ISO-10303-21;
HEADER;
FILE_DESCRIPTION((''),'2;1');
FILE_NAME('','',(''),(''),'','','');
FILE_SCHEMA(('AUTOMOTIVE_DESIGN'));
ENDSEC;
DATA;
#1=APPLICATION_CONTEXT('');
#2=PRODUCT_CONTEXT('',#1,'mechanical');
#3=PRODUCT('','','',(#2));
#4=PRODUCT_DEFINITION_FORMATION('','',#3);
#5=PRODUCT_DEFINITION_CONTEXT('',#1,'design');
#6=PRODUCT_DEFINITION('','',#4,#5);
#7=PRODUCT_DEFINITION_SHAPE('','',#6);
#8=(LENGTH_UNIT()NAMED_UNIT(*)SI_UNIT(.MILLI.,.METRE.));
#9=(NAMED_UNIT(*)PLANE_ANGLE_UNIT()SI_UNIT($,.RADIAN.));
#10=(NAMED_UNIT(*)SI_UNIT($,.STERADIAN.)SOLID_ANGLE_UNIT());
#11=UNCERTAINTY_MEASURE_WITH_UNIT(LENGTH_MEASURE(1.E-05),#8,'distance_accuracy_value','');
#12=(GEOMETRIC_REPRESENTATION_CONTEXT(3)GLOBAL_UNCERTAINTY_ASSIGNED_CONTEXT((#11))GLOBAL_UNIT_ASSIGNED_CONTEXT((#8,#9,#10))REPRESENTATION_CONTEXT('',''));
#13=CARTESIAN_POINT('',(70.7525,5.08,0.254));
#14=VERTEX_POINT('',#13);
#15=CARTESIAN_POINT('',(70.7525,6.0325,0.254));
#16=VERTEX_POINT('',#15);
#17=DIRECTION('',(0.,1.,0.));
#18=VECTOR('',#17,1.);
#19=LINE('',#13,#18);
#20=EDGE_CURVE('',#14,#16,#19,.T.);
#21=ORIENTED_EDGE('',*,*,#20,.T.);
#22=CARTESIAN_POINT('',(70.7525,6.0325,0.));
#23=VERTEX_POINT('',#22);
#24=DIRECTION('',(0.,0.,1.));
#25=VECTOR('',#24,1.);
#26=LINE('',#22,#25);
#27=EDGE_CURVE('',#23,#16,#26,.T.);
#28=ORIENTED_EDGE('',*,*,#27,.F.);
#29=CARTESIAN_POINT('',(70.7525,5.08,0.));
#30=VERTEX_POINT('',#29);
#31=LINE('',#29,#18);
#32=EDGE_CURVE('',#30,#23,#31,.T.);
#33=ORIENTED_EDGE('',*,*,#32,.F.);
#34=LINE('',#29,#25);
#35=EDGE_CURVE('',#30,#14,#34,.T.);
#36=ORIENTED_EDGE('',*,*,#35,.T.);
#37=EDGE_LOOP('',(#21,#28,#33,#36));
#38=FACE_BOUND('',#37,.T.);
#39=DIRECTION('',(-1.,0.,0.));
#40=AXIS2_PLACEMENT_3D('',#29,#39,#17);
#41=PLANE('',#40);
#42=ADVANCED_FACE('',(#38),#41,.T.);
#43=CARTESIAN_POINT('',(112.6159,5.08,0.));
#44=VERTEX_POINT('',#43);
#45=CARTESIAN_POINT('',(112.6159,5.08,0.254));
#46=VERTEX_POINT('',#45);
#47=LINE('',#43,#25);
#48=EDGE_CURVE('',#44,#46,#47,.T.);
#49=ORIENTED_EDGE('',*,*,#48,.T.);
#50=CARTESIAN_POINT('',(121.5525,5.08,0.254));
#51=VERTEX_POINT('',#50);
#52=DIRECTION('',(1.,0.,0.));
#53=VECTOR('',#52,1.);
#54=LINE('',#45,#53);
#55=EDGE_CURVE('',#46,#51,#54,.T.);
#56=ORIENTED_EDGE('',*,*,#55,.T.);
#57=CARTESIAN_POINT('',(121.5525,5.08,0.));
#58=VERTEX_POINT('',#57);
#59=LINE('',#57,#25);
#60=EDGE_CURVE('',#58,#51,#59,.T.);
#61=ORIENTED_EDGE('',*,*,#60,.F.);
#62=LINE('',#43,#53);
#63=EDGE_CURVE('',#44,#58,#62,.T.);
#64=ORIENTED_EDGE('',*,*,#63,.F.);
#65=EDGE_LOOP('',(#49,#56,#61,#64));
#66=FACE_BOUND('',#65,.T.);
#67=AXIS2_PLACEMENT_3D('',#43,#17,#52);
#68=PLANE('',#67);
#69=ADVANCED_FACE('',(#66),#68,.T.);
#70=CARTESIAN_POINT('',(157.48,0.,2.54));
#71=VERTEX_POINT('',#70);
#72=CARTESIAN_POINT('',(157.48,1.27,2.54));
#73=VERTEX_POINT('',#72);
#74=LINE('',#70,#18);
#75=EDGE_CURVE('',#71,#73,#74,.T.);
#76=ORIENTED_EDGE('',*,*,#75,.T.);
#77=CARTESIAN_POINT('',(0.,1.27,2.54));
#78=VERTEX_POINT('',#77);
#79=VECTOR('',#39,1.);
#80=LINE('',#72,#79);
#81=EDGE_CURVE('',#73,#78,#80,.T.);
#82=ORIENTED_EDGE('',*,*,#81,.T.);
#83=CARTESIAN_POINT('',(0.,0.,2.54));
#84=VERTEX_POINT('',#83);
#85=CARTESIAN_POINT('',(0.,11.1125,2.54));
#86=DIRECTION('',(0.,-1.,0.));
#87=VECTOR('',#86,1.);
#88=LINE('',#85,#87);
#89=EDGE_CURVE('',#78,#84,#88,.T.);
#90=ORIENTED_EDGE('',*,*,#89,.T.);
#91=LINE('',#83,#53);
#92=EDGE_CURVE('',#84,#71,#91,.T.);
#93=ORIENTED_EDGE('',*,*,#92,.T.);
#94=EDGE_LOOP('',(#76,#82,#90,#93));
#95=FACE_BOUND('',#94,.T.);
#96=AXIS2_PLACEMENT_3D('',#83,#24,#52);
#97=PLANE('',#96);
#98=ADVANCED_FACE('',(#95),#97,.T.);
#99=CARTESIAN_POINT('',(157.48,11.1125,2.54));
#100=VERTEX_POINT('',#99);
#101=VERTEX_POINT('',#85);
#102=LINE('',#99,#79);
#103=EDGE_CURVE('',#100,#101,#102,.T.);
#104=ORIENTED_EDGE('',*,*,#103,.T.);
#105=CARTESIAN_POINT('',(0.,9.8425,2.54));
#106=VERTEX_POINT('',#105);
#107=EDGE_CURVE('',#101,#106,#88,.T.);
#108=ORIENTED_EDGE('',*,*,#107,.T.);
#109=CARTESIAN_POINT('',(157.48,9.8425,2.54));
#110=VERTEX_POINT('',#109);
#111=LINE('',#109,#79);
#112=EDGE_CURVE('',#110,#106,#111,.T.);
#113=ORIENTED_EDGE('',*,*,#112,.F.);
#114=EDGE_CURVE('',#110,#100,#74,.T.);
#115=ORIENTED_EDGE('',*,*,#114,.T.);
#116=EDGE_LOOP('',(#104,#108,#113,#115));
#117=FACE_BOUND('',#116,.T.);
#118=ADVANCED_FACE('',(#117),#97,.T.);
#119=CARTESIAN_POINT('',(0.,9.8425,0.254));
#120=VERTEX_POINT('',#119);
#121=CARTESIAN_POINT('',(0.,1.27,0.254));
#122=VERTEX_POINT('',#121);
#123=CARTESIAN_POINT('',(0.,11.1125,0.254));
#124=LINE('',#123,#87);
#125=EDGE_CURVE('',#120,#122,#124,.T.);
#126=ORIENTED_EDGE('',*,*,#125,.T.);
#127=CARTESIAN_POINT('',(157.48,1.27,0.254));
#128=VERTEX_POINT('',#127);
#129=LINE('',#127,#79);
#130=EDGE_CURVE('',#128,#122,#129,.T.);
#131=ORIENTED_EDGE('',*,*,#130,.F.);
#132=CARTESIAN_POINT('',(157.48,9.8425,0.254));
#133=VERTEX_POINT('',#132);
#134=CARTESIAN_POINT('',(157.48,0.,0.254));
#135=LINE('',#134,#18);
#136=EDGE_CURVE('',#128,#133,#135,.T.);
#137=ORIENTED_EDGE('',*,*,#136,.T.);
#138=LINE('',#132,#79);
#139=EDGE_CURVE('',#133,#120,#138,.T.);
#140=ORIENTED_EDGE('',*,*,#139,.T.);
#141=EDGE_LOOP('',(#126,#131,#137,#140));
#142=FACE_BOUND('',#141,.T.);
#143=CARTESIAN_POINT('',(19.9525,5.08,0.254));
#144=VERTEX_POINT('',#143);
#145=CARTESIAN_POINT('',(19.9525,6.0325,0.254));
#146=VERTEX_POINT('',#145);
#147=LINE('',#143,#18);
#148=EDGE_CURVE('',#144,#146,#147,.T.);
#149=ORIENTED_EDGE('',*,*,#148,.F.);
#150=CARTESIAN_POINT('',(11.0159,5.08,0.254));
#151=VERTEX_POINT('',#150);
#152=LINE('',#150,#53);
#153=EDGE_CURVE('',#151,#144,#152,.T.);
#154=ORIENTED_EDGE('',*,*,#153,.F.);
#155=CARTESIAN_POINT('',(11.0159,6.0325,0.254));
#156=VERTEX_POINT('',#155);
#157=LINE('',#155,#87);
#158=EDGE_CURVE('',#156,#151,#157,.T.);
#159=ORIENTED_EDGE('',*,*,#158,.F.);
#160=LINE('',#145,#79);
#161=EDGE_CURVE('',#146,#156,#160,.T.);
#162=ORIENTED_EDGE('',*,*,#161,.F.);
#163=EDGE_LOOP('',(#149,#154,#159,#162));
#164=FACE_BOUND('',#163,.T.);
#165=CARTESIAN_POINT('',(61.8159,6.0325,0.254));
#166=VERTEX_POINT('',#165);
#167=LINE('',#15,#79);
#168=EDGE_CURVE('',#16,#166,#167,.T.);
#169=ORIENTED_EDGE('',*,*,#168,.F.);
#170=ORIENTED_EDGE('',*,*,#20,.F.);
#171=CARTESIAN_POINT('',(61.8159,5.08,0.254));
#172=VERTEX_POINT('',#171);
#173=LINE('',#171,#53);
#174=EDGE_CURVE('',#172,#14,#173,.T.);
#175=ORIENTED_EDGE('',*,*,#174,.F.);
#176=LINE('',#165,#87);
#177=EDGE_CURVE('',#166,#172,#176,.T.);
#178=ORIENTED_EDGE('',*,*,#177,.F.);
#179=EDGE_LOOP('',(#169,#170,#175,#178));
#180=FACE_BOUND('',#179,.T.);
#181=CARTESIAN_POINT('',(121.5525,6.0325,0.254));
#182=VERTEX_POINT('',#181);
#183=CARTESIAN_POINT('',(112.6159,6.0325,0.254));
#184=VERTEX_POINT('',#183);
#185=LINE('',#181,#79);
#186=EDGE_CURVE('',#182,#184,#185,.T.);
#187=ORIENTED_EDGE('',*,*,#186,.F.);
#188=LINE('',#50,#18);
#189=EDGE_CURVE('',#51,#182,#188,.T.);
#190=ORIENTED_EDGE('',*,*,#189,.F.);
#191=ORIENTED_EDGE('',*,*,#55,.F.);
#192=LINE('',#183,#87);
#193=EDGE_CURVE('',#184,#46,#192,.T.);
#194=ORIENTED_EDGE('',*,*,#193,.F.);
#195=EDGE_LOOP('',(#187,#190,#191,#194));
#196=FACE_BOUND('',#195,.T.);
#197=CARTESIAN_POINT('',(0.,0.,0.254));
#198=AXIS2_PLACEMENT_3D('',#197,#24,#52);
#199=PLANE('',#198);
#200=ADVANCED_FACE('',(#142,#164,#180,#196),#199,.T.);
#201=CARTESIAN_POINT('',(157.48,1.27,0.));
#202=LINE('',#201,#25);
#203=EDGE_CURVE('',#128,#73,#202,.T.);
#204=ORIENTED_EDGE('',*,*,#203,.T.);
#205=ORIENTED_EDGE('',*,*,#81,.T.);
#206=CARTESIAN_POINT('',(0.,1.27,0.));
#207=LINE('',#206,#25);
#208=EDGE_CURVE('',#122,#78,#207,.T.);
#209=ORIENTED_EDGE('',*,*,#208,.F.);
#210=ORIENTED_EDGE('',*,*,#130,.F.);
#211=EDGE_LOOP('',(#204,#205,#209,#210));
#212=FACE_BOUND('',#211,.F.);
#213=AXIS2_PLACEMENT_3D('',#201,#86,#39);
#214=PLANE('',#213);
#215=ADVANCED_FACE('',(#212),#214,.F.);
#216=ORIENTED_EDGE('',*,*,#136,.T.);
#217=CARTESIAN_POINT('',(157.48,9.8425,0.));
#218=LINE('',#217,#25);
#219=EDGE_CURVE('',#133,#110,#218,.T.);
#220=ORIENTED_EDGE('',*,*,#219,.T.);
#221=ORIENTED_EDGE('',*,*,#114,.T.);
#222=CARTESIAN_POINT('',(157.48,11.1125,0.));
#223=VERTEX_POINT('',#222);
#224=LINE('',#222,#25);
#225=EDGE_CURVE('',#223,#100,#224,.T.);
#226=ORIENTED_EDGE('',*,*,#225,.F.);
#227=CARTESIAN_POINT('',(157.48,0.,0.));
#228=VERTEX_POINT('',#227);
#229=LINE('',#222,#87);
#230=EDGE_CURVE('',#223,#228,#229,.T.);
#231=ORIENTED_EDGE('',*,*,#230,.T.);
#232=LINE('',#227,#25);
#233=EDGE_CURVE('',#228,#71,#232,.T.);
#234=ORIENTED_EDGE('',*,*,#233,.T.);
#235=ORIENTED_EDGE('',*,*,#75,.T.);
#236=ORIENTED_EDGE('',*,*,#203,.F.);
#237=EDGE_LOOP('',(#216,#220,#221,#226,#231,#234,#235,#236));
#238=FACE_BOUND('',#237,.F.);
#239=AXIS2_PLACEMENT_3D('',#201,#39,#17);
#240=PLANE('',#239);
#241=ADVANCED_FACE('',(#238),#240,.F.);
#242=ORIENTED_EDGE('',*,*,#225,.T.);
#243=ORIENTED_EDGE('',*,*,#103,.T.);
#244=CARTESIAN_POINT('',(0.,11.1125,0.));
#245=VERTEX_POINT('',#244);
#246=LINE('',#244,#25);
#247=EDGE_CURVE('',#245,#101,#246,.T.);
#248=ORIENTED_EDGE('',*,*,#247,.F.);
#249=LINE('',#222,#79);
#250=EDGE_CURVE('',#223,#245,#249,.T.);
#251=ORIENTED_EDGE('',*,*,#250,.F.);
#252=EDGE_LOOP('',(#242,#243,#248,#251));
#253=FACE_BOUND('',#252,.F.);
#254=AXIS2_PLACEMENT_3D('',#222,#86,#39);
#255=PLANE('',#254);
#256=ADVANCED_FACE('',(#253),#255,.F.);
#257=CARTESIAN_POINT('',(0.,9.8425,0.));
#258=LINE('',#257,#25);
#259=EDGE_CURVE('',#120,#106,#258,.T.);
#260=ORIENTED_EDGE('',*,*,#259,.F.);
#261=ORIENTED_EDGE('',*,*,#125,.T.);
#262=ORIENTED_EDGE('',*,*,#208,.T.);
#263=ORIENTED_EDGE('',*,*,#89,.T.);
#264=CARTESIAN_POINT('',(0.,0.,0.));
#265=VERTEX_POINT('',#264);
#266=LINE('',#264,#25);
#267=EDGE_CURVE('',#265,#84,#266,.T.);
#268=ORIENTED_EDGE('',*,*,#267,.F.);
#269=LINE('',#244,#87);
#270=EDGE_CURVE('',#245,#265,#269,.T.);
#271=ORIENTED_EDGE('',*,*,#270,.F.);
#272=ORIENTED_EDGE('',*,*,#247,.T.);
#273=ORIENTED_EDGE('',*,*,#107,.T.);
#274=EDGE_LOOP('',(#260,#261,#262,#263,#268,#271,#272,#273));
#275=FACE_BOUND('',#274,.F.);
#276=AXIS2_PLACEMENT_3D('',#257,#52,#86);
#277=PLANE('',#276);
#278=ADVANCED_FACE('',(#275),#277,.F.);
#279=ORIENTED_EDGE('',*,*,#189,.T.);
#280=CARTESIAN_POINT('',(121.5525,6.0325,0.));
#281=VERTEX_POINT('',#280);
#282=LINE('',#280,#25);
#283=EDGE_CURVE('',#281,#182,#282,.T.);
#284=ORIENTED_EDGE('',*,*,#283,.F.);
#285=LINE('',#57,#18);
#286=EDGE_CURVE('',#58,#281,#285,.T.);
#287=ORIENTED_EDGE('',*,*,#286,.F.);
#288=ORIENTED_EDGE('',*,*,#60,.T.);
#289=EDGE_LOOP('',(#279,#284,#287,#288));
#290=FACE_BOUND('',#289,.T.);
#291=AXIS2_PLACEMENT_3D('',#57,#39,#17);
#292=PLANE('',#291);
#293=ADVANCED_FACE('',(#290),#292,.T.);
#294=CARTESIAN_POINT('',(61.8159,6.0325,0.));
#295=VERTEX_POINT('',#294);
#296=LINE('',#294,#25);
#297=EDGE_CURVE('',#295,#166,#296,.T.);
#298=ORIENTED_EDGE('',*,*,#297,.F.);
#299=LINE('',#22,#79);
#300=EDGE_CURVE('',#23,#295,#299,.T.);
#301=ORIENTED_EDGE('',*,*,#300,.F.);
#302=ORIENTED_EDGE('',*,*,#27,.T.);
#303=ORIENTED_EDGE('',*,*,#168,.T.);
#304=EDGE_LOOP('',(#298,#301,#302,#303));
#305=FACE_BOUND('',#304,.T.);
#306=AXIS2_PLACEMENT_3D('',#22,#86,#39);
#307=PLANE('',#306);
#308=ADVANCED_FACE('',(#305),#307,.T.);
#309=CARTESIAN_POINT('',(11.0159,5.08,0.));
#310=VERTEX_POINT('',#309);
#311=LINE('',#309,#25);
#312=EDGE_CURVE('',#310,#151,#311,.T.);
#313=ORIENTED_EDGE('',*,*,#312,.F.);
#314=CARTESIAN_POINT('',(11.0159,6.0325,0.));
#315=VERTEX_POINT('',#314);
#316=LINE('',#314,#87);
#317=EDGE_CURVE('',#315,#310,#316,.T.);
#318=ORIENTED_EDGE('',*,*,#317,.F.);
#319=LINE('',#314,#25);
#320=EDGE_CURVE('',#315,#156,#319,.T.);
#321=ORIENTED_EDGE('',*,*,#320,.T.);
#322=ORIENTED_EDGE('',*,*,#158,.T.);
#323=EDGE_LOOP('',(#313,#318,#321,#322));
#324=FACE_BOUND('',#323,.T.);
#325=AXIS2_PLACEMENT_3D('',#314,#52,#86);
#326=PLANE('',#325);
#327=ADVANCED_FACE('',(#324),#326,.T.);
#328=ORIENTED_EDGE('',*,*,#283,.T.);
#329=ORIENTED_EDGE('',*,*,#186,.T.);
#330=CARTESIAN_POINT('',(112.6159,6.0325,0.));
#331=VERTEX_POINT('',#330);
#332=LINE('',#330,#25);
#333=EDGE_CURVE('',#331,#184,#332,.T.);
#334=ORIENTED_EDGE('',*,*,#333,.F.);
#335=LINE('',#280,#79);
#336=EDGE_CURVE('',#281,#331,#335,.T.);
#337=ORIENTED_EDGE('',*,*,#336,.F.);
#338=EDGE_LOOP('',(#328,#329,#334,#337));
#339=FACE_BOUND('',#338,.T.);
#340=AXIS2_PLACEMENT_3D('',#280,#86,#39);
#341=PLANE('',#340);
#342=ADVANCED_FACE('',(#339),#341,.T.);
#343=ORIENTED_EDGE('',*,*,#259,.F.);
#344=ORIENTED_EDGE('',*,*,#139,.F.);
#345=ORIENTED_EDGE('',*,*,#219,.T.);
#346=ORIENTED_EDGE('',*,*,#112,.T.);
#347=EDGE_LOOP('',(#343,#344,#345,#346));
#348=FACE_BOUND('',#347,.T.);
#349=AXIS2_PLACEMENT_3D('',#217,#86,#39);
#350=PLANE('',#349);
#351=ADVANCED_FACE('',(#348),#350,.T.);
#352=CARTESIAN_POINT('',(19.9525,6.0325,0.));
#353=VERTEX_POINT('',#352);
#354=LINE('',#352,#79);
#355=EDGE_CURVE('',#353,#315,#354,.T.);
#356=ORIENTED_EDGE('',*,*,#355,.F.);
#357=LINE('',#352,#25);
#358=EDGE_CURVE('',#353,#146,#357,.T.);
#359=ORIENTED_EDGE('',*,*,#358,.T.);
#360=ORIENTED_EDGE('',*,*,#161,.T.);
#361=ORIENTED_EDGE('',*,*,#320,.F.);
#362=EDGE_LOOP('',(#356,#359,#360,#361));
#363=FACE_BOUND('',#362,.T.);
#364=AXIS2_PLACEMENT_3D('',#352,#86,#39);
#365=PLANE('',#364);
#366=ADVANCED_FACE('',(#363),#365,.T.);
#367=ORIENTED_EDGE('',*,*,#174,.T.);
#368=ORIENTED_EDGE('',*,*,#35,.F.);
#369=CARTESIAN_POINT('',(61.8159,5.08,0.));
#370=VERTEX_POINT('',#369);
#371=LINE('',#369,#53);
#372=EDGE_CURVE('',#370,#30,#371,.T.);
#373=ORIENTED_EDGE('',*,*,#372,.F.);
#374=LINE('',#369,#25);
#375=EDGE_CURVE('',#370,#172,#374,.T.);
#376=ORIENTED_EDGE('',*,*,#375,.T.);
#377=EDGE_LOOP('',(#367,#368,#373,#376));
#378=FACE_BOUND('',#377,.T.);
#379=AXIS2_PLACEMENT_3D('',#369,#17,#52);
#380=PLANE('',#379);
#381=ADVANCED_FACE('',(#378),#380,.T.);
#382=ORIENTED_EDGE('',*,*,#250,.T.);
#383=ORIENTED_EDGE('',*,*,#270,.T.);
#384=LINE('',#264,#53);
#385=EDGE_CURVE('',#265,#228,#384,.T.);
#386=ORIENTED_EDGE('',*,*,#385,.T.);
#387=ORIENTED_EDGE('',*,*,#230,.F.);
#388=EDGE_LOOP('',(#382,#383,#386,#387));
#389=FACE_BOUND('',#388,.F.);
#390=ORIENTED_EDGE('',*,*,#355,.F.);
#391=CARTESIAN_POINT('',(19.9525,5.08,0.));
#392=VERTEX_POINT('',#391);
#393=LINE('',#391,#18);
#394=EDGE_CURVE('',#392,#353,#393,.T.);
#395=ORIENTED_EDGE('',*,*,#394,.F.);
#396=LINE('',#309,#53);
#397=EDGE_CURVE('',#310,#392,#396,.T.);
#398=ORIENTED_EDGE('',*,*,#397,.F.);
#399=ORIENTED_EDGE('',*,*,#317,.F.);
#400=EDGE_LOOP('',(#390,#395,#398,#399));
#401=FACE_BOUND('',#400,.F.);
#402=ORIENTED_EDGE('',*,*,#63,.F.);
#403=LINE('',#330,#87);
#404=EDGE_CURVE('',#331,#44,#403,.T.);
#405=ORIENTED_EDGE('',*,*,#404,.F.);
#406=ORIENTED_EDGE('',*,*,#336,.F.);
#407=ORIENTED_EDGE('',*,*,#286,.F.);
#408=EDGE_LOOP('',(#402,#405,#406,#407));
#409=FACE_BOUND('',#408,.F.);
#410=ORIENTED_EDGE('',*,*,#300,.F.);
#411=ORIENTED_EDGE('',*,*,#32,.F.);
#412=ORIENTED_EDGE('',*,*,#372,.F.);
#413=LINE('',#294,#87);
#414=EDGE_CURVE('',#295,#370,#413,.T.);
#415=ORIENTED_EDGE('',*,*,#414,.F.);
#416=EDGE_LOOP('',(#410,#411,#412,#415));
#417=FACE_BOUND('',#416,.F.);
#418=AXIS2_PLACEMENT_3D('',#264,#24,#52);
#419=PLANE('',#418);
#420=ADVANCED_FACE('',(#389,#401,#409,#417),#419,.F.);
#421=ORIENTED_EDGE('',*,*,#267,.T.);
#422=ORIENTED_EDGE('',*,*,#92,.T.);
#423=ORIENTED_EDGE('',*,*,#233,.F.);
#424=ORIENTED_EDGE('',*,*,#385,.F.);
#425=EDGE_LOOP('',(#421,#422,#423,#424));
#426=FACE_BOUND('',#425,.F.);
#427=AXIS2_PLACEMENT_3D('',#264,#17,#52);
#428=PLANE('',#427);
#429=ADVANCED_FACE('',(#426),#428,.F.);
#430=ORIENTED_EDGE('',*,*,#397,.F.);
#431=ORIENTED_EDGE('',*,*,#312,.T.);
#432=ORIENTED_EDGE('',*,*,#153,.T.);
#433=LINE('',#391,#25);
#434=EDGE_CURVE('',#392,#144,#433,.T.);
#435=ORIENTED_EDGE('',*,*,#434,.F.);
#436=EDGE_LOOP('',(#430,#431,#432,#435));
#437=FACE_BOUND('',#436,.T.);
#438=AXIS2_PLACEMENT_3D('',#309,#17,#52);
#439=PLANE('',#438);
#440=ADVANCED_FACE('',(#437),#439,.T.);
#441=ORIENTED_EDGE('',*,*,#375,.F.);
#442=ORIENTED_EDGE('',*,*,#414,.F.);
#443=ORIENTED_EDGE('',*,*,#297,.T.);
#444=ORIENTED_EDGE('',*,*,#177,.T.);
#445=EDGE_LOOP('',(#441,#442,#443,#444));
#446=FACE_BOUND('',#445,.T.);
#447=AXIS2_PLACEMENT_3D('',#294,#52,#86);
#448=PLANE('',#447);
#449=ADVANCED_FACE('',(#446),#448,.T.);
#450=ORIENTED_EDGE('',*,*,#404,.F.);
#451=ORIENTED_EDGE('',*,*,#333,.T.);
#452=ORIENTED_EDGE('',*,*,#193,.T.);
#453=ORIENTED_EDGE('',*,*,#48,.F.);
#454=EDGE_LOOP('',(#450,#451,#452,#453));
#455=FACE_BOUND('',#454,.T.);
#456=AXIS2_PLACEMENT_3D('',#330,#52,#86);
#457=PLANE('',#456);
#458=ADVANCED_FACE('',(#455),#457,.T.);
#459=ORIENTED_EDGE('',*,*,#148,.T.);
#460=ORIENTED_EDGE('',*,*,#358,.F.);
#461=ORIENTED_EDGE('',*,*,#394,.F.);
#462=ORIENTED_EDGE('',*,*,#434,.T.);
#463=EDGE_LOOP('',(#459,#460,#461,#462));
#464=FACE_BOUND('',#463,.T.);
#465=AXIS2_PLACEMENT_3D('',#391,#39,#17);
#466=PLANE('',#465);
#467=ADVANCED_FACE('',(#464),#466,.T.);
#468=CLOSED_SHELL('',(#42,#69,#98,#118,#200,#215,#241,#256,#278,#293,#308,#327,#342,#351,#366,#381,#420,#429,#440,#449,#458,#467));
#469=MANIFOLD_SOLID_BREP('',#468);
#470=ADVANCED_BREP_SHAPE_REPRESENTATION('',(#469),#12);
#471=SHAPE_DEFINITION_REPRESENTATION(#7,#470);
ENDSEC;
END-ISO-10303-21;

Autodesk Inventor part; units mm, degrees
ref_plane "YZ Plane" through (0, 0, 0) normal (1, 0, 0) x (0, 1, 0)
ref_plane "XZ Plane" through (0, 0, 0) normal (0, 1, 0) x (-1, 0, 0)
ref_plane "XY Plane" through (0, 0, 0) normal (0, 0, 1) x (1, 0, 0)
sketch "Sketch1" plane through (0, 0, 0) normal (0, 0, 1) x (1, 0, 0)
  line L0 (0, 0) -> (157.48, 0)
  line L1 (157.48, 0) -> (157.48, 11.1125)
  line L2 (157.48, 11.1125) -> (0, 11.1125)
  line L3 (0, 11.1125) -> (0, 0)
  line L4 (0, 11.1125) -> (157.48, 11.1125)
  line L5 (157.48, 11.1125) -> (157.48, 9.8425)
  line L6 (157.48, 9.8425) -> (0, 9.8425)
  line L7 (0, 9.8425) -> (0, 11.1125)
  line L8 (0, 0) -> (157.48, 0)
  line L9 (157.48, 0) -> (157.48, 1.27)
  line L10 (157.48, 1.27) -> (0, 1.27)
  line L11 (0, 1.27) -> (0, 0)
  line L12 (11.0159, 5.08) -> (19.9525, 5.08)
  line L13 (19.9525, 5.08) -> (19.9525, 6.0325)
  line L14 (19.9525, 6.0325) -> (11.0159, 6.0325)
  line L15 (11.0159, 6.0325) -> (11.0159, 5.08)
  line L16 (70.7525, 5.08) -> (70.7525, 6.0325)
  line L17 (70.7525, 6.0325) -> (61.8159, 6.0325)
  line L18 (61.8159, 5.08) -> (70.7525, 5.08)
  line L19 (61.8159, 6.0325) -> (61.8159, 5.08)
  line L20 (121.5525, 5.08) -> (121.5525, 6.0325)
  line L21 (121.5525, 6.0325) -> (112.6159, 6.0325)
  line L22 (112.6159, 5.08) -> (121.5525, 5.08)
  line L23 (112.6159, 6.0325) -> (112.6159, 5.08)
  point P0 (39.5656, 5.08)
  point P1 (47.7905, 6.0325)
  point P2 (98.5905, 6.0325)
  point P3 (90.3656, 5.08)
  point P4 (149.3905, 6.0325)
  point P5 (141.1656, 5.08)
  point P6 (0, 9.8425)
  point P7 (0, 1.27)
  dimension "d0" = 157.48
  dimension "d1" = 11.1125
  dimension "d2" = 1.27
  dimension "d3" = 1.27
  dimension "d4" = 3.81
  dimension "d5" = 3.81
  dimension "d6" = 8.9366
  dimension "d9" = 50.8
extrude "Extrusion1" add sketch "Sketch1" along normal blind 2.54 contours L3 L10 L1 L0 | L3 L2 L1 L6
extrude "Extrusion2" add sketch "Sketch1" along normal blind 0.254 contours L3 L6 L1 L10
properties part number "Bracket holder"
